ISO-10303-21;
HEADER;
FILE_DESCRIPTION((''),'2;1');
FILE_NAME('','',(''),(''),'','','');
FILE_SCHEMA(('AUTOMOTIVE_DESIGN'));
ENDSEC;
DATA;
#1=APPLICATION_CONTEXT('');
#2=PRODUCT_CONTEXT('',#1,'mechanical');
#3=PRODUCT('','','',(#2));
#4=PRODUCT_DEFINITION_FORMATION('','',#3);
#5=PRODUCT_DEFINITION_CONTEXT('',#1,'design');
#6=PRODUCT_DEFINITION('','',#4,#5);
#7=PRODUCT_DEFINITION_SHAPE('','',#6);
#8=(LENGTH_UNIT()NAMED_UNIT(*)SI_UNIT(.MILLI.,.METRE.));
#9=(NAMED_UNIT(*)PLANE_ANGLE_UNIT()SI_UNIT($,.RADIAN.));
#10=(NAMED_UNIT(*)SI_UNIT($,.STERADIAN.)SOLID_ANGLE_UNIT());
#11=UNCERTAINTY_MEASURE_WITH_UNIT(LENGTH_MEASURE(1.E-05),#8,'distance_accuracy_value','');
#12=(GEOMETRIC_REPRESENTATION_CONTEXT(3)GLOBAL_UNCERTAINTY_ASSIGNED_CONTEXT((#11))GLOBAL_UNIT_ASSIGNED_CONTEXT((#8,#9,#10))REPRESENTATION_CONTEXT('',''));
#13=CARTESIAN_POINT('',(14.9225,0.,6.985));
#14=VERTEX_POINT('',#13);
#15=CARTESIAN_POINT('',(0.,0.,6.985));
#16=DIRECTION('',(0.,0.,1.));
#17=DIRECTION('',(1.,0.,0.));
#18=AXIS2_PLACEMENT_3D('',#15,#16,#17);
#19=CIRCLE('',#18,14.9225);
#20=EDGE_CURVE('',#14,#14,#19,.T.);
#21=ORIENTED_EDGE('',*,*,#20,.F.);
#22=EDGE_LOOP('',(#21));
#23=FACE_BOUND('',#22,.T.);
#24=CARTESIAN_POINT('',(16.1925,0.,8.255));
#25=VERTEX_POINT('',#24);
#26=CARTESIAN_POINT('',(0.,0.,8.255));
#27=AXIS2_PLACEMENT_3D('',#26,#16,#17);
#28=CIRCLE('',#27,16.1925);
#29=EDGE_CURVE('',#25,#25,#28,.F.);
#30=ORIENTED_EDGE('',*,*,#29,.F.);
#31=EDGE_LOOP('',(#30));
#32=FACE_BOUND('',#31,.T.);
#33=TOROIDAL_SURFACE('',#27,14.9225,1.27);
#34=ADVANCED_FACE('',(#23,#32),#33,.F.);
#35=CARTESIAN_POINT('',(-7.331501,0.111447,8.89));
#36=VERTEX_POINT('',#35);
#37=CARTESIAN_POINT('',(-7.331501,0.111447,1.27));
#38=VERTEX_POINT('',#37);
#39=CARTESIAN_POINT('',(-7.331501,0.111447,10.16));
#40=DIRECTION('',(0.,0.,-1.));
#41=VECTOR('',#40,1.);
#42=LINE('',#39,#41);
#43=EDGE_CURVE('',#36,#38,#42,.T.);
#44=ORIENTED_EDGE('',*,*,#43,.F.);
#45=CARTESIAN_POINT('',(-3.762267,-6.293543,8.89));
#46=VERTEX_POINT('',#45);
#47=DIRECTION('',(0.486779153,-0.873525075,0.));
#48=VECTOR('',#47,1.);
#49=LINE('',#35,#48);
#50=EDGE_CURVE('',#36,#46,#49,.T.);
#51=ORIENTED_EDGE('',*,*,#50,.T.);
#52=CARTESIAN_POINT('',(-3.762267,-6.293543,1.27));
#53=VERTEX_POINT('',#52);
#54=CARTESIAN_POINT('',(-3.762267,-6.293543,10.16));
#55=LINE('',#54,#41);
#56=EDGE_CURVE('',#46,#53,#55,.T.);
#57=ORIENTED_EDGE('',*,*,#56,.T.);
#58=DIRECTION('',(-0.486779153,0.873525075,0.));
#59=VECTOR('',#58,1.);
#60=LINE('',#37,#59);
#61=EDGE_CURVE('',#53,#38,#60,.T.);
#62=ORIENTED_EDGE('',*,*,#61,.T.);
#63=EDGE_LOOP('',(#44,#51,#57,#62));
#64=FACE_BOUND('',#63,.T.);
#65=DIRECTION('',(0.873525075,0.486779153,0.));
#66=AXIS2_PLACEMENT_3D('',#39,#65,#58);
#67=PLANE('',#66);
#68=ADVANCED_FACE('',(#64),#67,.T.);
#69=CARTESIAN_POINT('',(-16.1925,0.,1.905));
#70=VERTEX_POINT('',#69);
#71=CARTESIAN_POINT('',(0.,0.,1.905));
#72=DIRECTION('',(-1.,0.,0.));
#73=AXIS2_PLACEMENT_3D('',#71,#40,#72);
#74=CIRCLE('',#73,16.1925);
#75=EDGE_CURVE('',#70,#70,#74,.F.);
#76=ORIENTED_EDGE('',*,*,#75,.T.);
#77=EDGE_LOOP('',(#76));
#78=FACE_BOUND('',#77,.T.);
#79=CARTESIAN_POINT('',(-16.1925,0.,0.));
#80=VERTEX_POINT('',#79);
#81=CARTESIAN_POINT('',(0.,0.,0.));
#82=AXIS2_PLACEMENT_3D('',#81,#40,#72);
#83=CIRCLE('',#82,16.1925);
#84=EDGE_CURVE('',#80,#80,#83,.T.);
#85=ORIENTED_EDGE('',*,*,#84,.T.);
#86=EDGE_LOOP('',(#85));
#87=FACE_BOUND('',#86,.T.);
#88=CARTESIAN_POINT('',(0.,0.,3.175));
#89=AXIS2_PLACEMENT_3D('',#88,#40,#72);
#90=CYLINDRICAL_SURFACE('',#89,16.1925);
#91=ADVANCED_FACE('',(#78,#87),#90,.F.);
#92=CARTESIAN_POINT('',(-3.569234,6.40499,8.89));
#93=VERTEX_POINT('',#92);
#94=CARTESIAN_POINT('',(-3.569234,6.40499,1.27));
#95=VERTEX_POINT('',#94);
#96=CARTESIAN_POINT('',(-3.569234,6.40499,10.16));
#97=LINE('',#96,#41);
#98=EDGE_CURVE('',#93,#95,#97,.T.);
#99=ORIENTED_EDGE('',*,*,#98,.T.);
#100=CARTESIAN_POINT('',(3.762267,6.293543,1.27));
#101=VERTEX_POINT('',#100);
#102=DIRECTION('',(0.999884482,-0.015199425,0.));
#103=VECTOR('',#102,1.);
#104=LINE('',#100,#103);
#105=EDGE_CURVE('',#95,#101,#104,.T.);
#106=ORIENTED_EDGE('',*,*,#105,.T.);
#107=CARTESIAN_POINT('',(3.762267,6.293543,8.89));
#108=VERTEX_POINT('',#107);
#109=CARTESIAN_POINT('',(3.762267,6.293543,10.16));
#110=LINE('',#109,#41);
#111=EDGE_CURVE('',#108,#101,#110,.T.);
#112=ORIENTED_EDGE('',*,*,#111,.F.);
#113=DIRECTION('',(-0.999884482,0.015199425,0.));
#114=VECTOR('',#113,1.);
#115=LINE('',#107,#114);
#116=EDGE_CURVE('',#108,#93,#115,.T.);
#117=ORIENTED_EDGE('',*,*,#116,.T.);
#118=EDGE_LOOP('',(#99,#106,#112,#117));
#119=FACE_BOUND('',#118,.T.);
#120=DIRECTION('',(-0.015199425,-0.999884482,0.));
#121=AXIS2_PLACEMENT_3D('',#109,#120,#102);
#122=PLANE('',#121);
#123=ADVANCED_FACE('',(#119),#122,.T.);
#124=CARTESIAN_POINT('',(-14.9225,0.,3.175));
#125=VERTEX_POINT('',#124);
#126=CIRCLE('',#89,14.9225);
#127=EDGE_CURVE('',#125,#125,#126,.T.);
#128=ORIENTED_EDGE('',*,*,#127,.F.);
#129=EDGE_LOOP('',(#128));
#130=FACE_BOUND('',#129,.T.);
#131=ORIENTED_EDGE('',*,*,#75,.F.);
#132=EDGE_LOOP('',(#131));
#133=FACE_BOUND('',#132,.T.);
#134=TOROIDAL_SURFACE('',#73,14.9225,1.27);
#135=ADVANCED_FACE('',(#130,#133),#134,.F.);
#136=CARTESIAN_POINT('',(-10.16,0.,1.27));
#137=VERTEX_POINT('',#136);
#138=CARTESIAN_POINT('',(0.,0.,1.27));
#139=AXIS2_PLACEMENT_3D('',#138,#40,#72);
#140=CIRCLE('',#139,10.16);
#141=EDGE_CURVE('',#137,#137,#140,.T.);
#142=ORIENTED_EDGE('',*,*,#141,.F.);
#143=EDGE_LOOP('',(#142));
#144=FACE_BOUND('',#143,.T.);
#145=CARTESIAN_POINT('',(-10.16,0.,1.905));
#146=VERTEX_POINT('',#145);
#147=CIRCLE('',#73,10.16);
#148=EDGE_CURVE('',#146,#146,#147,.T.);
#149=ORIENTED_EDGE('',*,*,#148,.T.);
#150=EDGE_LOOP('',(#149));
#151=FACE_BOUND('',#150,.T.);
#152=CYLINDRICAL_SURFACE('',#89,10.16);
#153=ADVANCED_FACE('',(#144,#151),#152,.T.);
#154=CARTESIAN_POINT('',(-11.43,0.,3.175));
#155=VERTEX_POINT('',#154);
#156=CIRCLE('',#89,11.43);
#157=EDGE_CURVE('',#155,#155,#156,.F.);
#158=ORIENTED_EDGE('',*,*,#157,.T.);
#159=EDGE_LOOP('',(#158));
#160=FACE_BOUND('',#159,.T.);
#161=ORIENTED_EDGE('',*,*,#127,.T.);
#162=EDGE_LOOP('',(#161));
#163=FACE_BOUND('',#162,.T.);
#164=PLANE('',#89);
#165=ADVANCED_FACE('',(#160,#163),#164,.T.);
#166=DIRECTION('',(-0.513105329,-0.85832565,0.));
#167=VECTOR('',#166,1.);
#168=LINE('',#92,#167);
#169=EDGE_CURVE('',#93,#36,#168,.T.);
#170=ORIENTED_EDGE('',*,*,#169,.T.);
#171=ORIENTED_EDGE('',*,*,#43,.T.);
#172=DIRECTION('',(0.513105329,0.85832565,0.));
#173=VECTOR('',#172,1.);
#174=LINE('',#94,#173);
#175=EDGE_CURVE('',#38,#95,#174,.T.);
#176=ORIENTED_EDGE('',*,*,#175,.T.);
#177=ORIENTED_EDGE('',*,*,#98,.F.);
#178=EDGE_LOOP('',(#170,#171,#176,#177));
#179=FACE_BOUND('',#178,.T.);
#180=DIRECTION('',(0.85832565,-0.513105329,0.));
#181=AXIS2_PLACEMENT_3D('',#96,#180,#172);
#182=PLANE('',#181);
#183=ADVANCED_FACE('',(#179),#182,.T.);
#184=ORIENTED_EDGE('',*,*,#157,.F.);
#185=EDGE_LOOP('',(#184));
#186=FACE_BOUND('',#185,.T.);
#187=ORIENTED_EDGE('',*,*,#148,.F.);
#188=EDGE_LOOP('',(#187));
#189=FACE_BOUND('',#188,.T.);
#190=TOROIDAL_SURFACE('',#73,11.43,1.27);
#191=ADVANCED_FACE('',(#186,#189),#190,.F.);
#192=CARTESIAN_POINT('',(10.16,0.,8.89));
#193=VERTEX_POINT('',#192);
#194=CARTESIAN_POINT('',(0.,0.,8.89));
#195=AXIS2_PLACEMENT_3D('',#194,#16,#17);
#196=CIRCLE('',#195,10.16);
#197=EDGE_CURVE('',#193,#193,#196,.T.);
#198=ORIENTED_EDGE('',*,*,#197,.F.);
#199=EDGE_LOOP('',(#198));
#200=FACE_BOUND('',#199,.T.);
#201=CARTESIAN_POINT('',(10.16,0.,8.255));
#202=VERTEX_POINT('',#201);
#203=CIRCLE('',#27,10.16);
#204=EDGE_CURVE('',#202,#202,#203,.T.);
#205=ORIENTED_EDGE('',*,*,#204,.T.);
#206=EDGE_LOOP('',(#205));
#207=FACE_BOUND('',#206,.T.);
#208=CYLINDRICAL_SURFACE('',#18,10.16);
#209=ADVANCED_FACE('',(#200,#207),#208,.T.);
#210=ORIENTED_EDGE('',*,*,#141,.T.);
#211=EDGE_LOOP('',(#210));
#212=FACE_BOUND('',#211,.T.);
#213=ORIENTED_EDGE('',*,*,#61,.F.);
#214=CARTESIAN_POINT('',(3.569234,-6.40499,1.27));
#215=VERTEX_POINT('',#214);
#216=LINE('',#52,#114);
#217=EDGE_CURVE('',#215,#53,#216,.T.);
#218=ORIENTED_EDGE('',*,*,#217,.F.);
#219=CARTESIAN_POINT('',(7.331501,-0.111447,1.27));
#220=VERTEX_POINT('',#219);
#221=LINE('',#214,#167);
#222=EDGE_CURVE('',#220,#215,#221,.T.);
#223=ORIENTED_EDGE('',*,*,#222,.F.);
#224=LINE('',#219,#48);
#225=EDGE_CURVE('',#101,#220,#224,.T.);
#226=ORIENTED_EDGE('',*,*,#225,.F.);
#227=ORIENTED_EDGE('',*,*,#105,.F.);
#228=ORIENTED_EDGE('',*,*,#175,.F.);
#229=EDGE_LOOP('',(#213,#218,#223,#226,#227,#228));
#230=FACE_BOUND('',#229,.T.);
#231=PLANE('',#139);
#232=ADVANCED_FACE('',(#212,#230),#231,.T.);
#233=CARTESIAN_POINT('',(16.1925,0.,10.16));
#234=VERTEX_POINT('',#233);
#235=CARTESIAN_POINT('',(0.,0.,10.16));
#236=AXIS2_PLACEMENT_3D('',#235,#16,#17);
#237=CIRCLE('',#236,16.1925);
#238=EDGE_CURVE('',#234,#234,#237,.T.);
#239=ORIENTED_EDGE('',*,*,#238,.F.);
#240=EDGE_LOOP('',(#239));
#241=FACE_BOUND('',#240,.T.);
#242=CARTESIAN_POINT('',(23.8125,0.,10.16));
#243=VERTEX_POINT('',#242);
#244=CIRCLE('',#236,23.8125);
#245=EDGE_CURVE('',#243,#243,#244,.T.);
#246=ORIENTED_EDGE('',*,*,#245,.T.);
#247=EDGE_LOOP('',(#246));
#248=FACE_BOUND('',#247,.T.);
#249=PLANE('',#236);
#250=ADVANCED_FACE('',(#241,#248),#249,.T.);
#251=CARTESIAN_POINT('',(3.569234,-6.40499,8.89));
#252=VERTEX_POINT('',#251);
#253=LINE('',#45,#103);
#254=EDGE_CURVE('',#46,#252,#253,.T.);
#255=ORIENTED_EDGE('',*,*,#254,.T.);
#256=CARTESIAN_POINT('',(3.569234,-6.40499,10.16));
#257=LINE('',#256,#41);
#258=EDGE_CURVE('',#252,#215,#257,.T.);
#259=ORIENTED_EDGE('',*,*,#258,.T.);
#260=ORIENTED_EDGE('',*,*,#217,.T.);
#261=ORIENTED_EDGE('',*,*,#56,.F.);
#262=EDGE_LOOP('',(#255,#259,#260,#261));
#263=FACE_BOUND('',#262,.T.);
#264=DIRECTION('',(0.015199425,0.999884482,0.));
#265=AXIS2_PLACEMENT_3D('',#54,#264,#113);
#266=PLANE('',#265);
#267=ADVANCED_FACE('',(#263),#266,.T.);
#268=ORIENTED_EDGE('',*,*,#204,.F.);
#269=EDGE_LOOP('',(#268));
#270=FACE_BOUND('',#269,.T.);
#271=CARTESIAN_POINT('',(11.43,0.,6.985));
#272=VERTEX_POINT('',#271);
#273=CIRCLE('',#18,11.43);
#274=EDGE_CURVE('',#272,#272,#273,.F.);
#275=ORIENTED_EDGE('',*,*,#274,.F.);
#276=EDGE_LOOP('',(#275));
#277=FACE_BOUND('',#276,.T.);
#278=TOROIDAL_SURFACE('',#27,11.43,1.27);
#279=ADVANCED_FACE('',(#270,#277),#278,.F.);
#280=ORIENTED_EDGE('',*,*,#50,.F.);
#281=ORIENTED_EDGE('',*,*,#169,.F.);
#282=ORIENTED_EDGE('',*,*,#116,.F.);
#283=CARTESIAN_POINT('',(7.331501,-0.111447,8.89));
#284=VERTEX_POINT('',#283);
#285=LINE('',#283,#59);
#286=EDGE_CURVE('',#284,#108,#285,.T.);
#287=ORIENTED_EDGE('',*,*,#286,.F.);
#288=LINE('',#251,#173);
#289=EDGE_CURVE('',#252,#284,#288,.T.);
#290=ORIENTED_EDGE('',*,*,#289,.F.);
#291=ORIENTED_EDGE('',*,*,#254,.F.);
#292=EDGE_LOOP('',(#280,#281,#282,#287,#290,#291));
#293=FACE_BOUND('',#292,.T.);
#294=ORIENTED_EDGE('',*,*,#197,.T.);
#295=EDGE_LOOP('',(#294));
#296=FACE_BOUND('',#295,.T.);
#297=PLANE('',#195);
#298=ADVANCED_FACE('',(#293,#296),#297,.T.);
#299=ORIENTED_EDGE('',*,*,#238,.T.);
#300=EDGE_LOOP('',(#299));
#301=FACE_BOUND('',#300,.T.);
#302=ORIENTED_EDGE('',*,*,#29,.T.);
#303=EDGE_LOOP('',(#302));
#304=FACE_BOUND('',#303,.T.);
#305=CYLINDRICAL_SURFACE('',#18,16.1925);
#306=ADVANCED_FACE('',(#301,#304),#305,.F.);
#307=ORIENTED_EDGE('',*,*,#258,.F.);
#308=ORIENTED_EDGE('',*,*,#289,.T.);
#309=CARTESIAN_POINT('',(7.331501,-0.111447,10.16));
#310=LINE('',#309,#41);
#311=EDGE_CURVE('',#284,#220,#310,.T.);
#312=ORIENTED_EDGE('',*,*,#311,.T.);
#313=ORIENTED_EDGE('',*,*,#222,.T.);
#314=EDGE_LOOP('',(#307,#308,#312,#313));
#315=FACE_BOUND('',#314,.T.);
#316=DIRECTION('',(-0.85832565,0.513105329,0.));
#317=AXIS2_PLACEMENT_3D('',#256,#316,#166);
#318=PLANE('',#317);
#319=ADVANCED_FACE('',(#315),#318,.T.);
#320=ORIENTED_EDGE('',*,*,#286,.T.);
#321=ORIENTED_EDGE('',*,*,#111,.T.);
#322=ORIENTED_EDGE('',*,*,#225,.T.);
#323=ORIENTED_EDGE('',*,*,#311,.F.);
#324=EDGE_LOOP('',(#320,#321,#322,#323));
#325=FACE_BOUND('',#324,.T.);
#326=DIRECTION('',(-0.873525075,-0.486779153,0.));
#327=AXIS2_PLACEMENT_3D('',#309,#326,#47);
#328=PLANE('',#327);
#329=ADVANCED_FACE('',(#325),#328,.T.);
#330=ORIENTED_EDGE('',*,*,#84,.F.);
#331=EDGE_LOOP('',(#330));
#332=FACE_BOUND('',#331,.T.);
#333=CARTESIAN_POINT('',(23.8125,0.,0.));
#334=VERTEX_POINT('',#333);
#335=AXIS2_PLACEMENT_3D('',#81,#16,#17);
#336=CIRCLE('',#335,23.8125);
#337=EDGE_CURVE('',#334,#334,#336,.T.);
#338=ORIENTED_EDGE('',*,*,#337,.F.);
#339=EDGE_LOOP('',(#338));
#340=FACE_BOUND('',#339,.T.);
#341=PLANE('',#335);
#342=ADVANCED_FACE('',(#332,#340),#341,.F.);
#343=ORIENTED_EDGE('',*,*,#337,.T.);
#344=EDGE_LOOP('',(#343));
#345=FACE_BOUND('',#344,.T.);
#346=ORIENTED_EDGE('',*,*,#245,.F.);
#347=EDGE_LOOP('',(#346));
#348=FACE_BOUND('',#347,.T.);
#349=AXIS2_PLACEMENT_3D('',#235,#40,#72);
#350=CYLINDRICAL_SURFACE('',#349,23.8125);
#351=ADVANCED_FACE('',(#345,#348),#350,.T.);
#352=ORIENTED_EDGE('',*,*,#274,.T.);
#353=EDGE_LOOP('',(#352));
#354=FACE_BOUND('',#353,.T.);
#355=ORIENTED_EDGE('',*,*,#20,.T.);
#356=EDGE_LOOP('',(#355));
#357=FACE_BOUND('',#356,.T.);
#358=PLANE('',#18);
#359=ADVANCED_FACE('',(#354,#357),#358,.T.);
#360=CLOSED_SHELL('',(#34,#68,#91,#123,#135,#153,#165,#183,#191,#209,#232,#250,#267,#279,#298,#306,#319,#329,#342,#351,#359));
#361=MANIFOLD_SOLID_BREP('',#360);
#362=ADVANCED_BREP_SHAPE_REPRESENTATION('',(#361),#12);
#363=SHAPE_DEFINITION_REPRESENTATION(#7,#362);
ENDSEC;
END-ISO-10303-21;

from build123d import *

# Parameters (mm, degrees)
SKETCH1_R           = 23.8125
BOSS_EXTRUDE1_DEPTH = 10.16
SKETCH2_R           = 16.1925
SKETCH2_R_2         = 10.16
CUT_EXTRUDE1_DEPTH  = 3.175
SKETCH3_R           = 16.1925
SKETCH3_R_2         = 10.16
CUT_EXTRUDE2_DEPTH  = 3.175
SKETCH4_R           = 10.16
CUT_EXTRUDE3_DEPTH  = 1.27
SKETCH7_R           = 10.16
CUT_EXTRUDE5_DEPTH  = 1.27
FILLET1_R           = 1.27


with BuildPart() as part:
    # Sketch1 → Boss-Extrude1 (new body)
    with BuildSketch(Plane.XY):
        Circle(SKETCH1_R)
        Polygon((3.569234353, -6.4049902), (7.331501401, -0.111447478), (3.762267048, 6.293542722), (-3.569234353, 6.4049902), (-7.331501401, 0.111447478), (-3.762267048, -6.293542722), align=None, mode=Mode.SUBTRACT)
    extrude(amount=BOSS_EXTRUDE1_DEPTH)

    # Sketch2 → Cut-Extrude1 (cut)
    with BuildSketch(Plane.XY.offset(10.16)):
        Circle(SKETCH2_R)
        Circle(SKETCH2_R_2, mode=Mode.SUBTRACT)
    extrude(amount=-CUT_EXTRUDE1_DEPTH, mode=Mode.SUBTRACT)

    # Sketch3 → Cut-Extrude2 (cut)
    with BuildSketch(Plane(origin=(0, 0, 0), x_dir=(-1, 0, 0), z_dir=(0, 0, -1))):
        Circle(SKETCH3_R)
        Circle(SKETCH3_R_2, mode=Mode.SUBTRACT)
    extrude(amount=-CUT_EXTRUDE2_DEPTH, mode=Mode.SUBTRACT)

    # Sketch4 → Cut-Extrude3 (cut)
    with BuildSketch(Plane(origin=(0, 0, 0), x_dir=(-1, 0, 0), z_dir=(0, 0, -1))):
        Circle(SKETCH4_R)
    extrude(amount=-CUT_EXTRUDE3_DEPTH, mode=Mode.SUBTRACT)

    # Sketch7 → Cut-Extrude5 (cut)
    with BuildSketch(Plane.XY.offset(10.16)):
        Circle(SKETCH7_R)
    extrude(amount=-CUT_EXTRUDE5_DEPTH, mode=Mode.SUBTRACT)

    # Fillet1
    fillet1_edges = [part.edges().sort_by_distance(p)[0] for p in [
        (-16.1925, 0, 6.985),
        (-10.16, 0, 6.985),
        (16.1925, 0, 3.175),
        (10.16, 0, 3.175),
    ]]
    fillet(fillet1_edges, radius=FILLET1_R)


solid = part.part
